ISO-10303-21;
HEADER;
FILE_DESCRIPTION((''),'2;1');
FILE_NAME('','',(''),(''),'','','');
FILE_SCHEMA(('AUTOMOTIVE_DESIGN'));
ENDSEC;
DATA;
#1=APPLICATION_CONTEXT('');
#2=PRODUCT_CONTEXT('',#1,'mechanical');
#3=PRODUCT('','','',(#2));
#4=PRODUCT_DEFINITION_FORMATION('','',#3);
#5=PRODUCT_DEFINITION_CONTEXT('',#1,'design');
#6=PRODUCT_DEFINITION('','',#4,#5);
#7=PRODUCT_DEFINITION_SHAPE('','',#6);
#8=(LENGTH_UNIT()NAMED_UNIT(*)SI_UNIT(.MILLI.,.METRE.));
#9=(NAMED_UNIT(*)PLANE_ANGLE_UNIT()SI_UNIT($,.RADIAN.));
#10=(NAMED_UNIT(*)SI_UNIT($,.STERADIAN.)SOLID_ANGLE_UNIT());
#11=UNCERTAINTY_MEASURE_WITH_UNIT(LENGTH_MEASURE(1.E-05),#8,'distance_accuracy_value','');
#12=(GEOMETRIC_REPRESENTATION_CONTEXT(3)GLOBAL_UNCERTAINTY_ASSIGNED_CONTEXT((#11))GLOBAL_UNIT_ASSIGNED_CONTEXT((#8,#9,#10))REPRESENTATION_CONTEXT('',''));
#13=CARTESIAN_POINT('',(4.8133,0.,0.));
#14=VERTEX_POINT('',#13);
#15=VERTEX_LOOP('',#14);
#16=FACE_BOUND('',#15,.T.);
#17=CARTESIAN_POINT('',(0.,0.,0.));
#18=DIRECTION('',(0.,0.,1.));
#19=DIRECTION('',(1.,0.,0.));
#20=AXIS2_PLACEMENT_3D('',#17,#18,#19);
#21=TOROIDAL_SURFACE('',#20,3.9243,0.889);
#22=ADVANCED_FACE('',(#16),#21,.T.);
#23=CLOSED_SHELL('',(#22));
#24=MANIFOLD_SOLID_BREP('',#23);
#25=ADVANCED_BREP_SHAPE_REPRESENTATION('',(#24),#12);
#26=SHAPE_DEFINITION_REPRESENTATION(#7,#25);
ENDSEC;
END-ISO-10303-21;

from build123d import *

# Parameters (mm, degrees)
SKETCH1_R = 0.889


with BuildPart() as part:
    # Sketch1 → Revolve1 (revolve)
    with BuildSketch(Plane(origin=(0, 0, 0), x_dir=(0, -1, 0), z_dir=(1, 0, 0))):
        with Locations((3.9243, 0)):
            Circle(SKETCH1_R)
    revolve(axis=Axis((0, 0, 0.889), (0, 0, -1)))


solid = part.part
